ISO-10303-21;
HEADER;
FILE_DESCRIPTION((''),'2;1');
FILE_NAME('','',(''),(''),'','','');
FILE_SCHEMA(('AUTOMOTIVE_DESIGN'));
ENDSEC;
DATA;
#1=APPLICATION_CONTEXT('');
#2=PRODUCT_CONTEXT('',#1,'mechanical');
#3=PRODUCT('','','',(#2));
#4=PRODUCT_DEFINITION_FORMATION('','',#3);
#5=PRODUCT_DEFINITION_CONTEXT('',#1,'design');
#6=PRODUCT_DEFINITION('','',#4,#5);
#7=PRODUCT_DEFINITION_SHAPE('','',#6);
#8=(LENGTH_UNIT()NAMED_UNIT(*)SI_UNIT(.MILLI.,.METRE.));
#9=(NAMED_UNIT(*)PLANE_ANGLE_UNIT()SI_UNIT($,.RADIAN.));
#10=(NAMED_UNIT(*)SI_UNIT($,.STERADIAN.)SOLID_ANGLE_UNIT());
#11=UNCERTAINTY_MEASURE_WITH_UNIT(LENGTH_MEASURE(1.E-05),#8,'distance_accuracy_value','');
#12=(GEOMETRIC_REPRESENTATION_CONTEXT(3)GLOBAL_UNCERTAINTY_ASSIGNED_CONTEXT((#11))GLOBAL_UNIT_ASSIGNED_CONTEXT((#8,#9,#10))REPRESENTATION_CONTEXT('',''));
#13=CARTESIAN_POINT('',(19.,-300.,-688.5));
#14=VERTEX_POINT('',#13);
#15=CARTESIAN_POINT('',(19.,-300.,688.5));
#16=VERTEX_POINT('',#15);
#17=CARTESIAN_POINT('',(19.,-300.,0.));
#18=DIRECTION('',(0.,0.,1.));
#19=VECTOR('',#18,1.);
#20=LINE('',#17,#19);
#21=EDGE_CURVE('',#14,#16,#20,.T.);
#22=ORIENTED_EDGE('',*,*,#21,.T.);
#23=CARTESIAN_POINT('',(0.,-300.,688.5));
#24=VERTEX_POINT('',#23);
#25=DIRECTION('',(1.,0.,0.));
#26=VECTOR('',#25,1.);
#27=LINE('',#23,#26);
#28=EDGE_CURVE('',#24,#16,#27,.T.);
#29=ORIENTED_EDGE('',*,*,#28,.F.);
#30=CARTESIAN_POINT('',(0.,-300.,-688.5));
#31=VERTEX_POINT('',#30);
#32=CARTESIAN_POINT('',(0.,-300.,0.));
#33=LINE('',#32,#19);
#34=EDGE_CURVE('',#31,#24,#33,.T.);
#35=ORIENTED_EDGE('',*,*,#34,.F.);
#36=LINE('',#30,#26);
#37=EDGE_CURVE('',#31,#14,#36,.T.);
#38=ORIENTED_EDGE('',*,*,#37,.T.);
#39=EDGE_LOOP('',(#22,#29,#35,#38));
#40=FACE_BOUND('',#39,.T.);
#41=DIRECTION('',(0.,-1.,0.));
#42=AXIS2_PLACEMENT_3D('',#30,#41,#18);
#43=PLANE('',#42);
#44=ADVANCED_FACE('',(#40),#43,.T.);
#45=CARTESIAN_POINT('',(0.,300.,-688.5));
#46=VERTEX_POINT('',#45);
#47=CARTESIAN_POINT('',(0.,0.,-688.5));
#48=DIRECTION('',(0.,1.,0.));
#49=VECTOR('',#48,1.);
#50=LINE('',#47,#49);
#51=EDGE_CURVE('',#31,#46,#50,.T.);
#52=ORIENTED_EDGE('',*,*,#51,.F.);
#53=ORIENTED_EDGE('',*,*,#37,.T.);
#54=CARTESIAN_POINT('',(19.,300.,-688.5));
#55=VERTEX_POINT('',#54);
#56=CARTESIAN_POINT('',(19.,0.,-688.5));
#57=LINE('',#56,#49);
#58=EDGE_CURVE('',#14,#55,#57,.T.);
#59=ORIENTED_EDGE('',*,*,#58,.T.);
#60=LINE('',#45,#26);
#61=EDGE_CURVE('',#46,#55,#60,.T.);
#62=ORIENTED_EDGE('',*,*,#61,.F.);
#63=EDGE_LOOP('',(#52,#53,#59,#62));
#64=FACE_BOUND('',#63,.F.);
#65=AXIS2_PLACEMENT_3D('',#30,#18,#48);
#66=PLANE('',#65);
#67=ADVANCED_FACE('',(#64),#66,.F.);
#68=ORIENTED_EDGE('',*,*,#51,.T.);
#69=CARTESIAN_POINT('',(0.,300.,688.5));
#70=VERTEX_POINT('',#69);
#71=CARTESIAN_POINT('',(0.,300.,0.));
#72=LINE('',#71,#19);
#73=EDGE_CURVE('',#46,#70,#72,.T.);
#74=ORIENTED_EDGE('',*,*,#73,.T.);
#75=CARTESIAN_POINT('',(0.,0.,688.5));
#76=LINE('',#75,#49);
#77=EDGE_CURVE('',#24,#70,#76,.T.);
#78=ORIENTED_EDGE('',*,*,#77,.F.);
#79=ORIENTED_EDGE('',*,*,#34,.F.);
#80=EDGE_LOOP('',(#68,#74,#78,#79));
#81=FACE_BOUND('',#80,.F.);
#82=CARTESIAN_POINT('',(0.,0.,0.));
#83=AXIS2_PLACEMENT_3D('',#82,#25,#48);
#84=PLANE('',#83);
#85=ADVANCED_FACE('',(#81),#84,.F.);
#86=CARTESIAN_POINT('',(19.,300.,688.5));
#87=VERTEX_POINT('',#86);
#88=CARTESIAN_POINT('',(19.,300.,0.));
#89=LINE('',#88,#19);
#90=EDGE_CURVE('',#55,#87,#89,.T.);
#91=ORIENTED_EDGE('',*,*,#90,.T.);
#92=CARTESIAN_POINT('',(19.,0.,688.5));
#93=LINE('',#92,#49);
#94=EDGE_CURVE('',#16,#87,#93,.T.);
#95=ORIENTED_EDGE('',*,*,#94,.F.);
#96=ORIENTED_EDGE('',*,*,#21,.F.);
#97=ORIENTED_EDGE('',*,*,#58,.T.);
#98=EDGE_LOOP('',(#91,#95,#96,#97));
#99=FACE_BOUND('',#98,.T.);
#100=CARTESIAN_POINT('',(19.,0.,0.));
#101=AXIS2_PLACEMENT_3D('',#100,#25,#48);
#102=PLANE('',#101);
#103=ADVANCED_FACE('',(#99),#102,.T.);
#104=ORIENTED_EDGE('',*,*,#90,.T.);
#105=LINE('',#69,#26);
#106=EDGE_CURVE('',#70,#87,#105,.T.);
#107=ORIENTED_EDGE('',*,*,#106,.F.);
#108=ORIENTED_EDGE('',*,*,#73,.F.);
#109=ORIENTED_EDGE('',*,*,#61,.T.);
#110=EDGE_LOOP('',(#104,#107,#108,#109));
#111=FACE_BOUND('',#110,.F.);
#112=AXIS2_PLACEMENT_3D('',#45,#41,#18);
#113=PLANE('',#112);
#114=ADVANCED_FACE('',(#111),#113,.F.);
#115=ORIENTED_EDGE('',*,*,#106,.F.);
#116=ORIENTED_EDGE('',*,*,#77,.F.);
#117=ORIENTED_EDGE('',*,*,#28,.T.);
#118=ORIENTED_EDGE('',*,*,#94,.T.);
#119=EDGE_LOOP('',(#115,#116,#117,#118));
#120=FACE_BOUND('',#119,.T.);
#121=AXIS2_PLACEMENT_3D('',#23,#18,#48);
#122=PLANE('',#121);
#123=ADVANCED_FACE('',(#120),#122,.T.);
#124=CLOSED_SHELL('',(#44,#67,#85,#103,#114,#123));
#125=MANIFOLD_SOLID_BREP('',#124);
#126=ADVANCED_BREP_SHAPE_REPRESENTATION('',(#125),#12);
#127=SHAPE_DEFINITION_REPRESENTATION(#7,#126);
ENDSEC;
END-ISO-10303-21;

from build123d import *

# Parameters (mm, degrees)
SKETCH002_W  = 600
SKETCH002_H  = 1377
PAD002_DEPTH = 19


with BuildPart() as part:
    # Sketch002 → Pad002 (new body)
    with BuildSketch(Plane.YZ):
        Rectangle(SKETCH002_W, SKETCH002_H)
    extrude(amount=PAD002_DEPTH)


solid = part.part
